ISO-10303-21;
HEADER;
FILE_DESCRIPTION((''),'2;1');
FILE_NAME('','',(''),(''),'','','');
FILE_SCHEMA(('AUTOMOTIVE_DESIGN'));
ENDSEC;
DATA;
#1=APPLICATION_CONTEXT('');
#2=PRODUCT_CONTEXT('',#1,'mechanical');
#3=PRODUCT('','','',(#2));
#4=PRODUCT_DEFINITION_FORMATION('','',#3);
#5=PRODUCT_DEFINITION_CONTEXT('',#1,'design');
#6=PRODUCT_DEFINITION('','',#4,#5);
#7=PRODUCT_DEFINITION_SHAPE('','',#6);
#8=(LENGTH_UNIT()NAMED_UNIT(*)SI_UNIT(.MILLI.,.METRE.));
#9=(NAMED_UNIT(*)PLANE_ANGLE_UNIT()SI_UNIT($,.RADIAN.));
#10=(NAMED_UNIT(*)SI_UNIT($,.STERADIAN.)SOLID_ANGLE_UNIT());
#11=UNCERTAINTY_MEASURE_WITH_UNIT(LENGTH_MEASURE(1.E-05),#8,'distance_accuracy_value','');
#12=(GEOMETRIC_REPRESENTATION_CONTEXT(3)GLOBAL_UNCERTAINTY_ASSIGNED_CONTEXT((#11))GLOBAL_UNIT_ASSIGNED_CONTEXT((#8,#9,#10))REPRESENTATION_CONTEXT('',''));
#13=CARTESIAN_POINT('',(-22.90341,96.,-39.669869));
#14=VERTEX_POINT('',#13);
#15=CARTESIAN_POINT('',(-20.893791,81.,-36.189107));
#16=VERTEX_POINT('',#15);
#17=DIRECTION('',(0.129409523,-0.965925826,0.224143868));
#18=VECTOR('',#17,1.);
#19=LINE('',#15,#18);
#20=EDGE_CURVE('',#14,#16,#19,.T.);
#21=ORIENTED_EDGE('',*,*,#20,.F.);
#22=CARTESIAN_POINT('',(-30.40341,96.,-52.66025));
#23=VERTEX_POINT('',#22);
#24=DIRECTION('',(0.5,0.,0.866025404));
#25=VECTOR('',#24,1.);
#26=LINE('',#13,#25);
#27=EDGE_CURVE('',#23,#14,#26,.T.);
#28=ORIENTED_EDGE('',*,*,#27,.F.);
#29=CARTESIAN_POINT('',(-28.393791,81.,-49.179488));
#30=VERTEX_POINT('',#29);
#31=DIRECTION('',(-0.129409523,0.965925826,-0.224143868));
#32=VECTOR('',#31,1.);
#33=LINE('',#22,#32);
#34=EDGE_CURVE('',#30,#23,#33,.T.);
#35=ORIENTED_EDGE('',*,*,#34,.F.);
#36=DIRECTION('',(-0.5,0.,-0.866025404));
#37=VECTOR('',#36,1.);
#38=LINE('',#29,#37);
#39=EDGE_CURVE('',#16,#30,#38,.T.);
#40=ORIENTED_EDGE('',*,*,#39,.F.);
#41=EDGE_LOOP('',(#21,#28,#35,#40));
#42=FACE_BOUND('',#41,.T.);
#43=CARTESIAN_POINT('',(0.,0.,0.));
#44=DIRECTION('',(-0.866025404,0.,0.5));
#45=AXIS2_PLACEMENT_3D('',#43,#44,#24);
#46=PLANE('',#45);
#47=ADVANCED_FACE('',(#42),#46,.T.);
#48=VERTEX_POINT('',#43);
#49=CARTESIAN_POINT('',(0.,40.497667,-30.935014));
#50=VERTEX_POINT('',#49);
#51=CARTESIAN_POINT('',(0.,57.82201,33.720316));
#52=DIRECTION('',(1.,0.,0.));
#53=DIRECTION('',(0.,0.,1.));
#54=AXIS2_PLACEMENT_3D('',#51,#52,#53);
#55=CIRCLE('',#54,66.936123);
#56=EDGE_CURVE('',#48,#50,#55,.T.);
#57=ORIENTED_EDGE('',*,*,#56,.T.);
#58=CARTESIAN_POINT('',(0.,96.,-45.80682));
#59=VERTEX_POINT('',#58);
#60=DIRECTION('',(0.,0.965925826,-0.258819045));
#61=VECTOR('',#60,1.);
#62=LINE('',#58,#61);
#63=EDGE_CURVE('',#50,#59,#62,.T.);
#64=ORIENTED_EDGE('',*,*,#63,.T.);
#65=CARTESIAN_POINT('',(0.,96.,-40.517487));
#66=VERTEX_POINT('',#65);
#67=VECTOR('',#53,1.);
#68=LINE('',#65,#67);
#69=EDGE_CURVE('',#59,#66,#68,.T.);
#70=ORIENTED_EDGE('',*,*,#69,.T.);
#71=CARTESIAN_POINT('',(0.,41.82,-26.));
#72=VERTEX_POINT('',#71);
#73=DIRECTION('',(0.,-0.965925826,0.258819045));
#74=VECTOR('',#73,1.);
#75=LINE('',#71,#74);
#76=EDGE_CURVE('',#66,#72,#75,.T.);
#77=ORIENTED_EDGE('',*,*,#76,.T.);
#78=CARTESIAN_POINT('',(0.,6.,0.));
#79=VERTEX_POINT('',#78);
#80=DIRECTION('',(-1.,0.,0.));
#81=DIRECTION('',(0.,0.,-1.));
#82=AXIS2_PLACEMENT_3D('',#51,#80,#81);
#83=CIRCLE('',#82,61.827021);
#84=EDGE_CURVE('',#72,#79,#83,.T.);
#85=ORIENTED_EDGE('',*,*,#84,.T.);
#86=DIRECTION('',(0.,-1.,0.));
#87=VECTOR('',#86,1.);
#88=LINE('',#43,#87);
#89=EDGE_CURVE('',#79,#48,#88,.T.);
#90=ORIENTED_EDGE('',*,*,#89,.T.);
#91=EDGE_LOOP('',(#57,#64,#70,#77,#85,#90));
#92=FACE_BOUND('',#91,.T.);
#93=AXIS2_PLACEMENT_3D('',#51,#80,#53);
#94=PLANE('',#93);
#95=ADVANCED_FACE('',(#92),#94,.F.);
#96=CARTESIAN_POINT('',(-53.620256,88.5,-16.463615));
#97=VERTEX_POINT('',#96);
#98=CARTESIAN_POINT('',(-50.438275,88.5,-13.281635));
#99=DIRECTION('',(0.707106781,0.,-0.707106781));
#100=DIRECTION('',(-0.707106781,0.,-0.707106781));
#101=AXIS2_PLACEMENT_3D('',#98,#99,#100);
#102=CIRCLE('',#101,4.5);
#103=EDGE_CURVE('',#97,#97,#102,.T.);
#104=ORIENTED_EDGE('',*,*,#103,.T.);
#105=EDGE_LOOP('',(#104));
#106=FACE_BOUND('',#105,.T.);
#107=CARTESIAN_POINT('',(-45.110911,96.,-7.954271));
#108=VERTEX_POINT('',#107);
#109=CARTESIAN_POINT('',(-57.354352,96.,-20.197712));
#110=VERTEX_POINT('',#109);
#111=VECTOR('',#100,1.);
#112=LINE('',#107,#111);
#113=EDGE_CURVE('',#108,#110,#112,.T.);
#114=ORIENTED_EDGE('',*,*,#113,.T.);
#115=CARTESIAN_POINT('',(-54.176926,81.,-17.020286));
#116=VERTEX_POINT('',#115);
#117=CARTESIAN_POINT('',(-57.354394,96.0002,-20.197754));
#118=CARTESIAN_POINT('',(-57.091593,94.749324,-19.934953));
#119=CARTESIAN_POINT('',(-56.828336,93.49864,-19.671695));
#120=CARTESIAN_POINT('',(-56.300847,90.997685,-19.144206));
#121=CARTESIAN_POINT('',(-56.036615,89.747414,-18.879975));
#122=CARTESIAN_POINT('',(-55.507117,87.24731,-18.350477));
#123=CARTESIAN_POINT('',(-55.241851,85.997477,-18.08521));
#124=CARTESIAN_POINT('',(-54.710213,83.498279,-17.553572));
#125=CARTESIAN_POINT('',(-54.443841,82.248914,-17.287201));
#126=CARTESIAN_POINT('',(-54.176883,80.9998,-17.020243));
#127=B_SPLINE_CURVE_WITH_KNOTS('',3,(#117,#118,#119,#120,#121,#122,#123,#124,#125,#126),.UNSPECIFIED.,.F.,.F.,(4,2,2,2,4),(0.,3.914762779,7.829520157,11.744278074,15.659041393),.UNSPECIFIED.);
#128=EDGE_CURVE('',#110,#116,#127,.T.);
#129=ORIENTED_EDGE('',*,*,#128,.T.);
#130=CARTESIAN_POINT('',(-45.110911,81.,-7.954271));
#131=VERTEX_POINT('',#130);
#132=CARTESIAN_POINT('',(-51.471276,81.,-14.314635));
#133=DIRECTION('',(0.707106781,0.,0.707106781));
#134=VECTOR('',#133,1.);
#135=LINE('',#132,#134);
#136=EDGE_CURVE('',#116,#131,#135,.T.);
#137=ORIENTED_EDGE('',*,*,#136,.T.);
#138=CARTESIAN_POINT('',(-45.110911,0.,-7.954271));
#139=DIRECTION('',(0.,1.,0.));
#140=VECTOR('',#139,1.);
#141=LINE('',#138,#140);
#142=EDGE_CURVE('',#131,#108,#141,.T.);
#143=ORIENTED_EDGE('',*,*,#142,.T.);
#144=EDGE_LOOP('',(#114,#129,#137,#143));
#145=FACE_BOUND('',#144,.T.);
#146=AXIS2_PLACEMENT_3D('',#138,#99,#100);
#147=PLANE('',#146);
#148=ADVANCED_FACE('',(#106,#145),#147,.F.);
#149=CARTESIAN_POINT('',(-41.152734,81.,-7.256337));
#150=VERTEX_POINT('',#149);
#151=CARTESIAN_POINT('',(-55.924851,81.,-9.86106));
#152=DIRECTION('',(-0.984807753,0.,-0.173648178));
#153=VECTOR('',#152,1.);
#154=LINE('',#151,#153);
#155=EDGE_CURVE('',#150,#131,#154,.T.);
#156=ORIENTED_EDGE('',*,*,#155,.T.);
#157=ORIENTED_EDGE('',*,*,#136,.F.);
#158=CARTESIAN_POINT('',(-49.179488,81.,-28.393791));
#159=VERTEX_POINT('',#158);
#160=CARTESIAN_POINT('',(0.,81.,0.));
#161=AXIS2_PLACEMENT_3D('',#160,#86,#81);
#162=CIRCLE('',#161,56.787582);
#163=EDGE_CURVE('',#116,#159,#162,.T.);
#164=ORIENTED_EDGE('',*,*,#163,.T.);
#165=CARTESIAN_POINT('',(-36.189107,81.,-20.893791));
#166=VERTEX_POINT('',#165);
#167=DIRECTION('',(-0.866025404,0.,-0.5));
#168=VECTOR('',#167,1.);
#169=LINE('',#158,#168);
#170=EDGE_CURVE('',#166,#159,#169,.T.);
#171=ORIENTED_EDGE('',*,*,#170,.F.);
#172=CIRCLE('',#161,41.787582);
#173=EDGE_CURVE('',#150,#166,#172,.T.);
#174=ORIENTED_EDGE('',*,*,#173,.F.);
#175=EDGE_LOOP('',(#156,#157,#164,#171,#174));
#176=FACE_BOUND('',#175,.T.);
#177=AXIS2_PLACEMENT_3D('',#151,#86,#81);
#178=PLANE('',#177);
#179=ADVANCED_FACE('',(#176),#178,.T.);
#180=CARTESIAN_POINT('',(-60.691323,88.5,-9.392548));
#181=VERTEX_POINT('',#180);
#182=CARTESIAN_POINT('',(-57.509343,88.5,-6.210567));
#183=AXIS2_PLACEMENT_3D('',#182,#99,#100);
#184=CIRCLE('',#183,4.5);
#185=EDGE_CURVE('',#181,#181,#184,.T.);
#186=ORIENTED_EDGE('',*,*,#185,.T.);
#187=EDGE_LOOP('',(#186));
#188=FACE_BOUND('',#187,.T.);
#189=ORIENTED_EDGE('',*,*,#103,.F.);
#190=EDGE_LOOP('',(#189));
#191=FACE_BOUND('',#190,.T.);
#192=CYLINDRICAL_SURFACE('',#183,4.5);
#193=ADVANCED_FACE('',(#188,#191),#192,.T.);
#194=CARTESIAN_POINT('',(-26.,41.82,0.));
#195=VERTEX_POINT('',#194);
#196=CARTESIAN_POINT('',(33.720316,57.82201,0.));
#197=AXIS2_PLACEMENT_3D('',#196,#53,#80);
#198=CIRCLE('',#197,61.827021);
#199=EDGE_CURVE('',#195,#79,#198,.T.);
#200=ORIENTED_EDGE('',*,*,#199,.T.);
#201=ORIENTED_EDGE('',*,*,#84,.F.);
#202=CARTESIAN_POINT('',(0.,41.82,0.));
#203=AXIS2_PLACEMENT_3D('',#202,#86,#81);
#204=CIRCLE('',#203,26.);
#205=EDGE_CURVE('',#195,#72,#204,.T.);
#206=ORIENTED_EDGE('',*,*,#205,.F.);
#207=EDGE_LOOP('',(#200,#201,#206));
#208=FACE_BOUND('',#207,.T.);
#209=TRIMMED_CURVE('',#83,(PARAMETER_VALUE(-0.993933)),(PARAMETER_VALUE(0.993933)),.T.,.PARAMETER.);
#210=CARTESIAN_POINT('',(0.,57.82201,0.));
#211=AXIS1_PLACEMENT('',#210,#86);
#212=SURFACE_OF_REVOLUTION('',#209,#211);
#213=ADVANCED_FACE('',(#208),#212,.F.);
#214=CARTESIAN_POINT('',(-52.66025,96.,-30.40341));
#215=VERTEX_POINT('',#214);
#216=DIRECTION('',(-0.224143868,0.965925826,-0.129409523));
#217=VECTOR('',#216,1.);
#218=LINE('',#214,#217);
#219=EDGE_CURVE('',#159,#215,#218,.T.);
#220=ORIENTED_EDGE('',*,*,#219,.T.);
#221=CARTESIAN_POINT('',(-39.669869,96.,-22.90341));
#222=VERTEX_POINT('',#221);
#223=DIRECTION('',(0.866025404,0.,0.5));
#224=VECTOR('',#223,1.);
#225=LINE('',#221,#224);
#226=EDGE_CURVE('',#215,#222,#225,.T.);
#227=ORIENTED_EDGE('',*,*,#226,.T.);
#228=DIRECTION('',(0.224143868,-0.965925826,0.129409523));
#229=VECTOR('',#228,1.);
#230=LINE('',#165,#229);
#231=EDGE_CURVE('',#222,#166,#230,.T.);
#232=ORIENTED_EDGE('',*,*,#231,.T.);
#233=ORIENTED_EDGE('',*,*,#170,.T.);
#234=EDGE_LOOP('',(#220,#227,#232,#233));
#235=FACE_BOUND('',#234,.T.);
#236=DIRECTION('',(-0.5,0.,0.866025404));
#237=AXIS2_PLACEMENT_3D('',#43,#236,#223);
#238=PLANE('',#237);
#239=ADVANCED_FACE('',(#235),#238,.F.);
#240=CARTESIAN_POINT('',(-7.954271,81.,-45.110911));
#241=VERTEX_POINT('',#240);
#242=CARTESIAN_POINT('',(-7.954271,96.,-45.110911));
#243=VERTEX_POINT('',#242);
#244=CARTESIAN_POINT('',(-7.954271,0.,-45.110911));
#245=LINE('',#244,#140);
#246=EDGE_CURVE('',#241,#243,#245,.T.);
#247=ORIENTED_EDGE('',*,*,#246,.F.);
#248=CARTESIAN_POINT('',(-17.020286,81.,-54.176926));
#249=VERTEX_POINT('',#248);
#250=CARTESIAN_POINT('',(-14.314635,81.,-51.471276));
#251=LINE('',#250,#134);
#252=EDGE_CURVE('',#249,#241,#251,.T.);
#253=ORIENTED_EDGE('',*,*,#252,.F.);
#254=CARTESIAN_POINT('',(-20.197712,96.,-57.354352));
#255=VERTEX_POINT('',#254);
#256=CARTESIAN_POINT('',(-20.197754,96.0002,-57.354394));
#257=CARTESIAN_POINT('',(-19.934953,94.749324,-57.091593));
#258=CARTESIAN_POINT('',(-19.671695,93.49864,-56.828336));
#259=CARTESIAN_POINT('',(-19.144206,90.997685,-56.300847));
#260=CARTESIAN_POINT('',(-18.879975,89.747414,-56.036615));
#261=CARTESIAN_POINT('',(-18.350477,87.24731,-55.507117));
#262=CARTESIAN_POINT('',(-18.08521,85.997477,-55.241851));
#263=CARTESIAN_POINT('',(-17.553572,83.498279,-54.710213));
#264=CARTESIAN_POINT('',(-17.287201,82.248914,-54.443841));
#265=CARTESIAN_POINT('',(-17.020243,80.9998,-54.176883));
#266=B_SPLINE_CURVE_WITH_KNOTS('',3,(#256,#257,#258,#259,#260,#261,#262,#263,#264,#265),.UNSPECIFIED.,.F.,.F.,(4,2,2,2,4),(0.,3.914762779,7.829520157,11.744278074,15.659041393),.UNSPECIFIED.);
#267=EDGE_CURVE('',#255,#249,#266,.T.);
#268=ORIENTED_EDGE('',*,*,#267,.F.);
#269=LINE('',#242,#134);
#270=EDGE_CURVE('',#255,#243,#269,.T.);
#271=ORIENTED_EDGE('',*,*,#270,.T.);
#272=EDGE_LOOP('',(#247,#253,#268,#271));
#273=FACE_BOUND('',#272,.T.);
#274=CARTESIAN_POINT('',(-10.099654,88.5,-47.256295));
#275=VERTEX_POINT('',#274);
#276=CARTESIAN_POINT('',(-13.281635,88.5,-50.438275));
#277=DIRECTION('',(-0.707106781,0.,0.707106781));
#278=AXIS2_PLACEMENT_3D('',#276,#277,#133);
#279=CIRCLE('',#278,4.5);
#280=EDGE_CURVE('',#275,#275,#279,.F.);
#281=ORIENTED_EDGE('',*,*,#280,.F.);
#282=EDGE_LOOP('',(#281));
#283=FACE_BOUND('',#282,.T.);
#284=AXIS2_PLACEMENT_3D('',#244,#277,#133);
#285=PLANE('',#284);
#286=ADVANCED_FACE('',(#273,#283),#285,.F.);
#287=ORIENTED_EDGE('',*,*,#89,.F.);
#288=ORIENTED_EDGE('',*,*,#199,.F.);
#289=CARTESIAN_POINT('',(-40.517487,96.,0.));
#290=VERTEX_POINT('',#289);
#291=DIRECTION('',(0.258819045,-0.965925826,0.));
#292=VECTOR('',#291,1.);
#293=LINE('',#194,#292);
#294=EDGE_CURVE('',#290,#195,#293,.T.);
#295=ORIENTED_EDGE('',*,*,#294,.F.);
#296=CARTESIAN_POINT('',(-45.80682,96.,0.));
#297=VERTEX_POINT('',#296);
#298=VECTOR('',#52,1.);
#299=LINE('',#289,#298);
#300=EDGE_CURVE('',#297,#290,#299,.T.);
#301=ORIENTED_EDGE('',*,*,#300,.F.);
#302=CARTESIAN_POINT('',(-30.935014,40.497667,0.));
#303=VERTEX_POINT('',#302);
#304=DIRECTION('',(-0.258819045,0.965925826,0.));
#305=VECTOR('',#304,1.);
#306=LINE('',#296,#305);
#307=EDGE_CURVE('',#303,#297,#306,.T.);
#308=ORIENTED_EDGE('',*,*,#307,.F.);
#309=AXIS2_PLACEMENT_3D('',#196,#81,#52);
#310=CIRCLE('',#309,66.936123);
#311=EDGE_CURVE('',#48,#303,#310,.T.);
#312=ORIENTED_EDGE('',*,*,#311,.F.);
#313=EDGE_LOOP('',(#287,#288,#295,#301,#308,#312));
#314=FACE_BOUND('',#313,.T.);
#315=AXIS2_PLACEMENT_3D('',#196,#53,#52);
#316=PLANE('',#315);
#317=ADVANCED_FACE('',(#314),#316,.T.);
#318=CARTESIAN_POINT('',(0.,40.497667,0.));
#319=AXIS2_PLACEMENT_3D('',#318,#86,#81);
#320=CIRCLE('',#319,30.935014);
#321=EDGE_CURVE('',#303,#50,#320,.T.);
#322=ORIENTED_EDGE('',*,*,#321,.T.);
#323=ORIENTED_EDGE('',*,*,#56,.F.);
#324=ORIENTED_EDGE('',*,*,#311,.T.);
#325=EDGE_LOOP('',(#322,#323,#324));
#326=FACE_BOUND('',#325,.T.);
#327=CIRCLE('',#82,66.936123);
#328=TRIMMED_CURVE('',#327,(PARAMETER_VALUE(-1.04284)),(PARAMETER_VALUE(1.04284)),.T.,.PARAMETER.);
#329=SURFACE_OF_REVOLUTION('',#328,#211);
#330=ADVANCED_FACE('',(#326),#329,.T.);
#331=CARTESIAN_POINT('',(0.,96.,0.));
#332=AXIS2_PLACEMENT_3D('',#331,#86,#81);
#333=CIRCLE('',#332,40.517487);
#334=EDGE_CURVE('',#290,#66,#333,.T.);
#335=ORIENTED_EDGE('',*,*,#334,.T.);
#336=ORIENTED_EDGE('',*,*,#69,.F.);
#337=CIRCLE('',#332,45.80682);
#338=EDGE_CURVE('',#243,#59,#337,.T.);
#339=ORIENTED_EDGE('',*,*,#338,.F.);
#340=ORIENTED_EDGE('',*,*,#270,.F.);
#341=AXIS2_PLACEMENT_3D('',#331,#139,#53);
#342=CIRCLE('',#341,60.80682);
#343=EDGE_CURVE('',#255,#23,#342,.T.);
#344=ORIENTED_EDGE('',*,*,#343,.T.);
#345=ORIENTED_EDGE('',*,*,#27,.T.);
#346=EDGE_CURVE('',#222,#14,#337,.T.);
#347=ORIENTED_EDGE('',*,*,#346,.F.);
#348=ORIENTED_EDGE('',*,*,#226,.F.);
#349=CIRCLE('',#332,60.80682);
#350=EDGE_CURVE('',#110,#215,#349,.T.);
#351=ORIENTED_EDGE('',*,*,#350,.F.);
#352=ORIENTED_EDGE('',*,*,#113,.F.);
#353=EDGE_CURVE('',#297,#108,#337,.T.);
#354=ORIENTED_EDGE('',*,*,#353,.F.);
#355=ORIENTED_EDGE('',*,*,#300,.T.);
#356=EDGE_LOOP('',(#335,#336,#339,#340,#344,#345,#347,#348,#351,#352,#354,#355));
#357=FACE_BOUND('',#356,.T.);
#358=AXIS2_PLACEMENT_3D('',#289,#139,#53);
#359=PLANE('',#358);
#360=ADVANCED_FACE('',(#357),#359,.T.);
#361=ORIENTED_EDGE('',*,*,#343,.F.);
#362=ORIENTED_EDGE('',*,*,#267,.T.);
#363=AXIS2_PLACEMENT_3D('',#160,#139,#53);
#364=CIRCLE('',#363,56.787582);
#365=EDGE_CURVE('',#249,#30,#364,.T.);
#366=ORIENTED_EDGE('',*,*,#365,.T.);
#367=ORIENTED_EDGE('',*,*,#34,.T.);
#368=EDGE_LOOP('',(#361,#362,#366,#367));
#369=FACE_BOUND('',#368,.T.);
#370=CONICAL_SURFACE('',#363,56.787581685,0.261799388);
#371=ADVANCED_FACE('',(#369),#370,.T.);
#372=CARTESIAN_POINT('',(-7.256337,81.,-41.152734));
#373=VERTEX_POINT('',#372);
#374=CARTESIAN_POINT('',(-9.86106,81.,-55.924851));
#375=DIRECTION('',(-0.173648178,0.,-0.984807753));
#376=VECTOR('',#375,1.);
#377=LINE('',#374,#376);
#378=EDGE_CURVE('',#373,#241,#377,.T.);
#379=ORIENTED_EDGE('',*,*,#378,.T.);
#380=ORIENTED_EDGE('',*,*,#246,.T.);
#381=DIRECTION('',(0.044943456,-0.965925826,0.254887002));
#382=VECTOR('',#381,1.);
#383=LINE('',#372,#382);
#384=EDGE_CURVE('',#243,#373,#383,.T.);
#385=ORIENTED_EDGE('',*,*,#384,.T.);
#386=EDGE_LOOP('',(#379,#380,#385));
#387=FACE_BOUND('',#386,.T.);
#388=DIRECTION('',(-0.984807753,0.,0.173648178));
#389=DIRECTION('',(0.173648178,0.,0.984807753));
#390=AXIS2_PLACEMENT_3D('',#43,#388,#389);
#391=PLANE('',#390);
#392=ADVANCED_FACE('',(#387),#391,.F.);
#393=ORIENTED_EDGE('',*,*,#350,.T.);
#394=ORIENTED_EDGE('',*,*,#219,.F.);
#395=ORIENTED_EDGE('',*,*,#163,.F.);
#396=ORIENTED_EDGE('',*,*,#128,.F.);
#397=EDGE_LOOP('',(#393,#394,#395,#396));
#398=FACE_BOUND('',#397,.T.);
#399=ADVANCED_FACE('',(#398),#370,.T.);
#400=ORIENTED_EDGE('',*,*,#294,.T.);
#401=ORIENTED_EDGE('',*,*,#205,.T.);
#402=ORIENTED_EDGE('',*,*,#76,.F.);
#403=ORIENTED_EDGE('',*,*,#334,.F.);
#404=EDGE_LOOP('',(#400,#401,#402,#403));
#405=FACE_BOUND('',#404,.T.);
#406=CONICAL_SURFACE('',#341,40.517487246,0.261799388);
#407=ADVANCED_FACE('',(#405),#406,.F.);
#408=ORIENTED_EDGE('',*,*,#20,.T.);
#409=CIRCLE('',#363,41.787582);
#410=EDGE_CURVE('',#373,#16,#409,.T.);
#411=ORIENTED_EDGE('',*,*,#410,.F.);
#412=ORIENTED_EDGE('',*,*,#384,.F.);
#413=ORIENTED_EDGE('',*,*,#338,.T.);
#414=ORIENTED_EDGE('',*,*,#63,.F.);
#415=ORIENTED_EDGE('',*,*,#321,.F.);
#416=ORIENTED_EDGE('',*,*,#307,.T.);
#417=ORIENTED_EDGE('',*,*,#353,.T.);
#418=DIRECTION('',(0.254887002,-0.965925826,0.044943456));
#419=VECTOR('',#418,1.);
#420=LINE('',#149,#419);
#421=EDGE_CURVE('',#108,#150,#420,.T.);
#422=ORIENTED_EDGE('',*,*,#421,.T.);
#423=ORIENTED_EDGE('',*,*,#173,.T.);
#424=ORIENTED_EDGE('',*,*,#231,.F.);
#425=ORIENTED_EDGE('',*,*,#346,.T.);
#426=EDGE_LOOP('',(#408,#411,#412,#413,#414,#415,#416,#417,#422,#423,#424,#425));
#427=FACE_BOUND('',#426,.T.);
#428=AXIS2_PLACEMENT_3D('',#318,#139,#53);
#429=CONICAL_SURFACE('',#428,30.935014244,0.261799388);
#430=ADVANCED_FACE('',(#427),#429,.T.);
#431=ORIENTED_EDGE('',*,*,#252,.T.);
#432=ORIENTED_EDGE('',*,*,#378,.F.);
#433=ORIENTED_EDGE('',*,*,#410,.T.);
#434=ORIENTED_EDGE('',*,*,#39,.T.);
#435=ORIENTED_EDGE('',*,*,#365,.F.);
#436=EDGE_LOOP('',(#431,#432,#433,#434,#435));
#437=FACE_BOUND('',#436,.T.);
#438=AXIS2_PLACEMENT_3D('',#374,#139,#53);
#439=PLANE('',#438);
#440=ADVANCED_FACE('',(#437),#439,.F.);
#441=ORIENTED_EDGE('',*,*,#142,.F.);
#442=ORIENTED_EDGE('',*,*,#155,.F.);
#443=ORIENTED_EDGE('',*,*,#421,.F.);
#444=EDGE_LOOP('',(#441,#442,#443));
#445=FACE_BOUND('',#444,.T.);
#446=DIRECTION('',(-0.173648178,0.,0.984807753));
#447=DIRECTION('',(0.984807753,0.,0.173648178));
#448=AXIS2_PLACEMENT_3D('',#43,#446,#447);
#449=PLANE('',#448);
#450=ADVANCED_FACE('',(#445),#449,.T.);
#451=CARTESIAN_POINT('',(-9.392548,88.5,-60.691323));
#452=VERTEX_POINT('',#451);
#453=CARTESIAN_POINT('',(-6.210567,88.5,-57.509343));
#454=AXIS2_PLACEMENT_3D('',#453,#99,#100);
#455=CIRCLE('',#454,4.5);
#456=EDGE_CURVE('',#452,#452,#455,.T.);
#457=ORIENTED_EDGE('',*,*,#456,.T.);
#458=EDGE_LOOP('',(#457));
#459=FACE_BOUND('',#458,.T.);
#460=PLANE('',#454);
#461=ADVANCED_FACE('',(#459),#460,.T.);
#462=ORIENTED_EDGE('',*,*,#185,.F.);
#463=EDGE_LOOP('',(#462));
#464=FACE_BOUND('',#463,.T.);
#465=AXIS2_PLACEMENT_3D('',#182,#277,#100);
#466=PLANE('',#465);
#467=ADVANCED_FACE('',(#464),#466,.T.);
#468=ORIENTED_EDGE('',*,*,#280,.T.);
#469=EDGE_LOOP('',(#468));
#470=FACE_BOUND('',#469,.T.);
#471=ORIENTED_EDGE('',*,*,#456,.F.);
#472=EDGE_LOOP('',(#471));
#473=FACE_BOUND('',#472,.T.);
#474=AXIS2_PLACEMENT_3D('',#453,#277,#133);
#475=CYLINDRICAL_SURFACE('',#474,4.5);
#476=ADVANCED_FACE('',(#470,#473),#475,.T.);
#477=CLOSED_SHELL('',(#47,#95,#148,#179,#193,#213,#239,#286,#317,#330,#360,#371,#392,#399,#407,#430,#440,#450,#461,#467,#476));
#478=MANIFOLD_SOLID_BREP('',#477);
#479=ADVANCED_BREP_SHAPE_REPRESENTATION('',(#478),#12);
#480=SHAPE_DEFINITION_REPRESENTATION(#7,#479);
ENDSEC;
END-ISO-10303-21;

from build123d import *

# Parameters (mm, degrees)
REVOLUCI_N1_ANGLE       = 90
REVOLUCI_N2_ANGLE       = 20
REVOLUCI_N3_ANGLE       = 20
CORTAR_EXTRUIR1_DEPTH   = 129.015444104
CROQUIS13_R             = 4.5
SALIENTE_EXTRUIR1_DEPTH = 10


with BuildPart() as part:
    # Croquis2 → Revolución1 (revolve)
    with BuildSketch(Plane(origin=(0, 0, 0), x_dir=(0, 0, -1), z_dir=(1, 0, 0))):
        with BuildLine():
            Line((0, 0), (0, 6))
            ThreePointArc((0, 6), (16.315231643, 21.503634207), (26, 41.82))
            Line((26, 41.82), (40.517487246, 96))
            Line((40.517487246, 96), (45.806819571, 96))
            Line((45.806819571, 96), (30.935014244, 40.497666919))
            ThreePointArc((30.935014244, 40.497666919), (19.472326357, 17.189666117), (0, 0))
        make_face()
    revolve(axis=Axis((0, 0, 0), (0, 1, 0)), revolution_arc=REVOLUCI_N1_ANGLE)

    # Croquis10 → Revolución2 (revolve)
    with BuildSketch(Plane(origin=(0, 0, 0), x_dir=(0, 1, 0), z_dir=(0.866025403784438, 0, -0.500000000000001))):
        Polygon((81, -41.787581685), (96, -45.806819571), (96, -60.806819571), (81, -56.787581685), align=None)
    revolve(axis=Axis((0, 0, 0), (0, -1, 0)), revolution_arc=REVOLUCI_N2_ANGLE)

    # Croquis11 → Revolución3 (revolve)
    with BuildSketch(Plane(origin=(0, 0, 0), x_dir=(0, 1, 0), z_dir=(0.499999999999998, 1.4337406519976025e-15, -0.8660254037844398))):
        Polygon((96, -45.806819571), (96, -60.806819571), (81, -56.787581685), (81, -41.787581685), align=None)
    revolve(axis=Axis((0, 0, 0), (0, 1, 0)), revolution_arc=REVOLUCI_N3_ANGLE)

    # Croquis12 → Cortar-Extruir1 (cut, through all)
    with BuildSketch(Plane(origin=(0, 96, 0), x_dir=(1, 0, 0), z_dir=(0, 1, 0))):
        with BuildLine():
            Line((-7.954270743, 45.110911055), (-20.197712047, 57.354352358))
            ThreePointArc((-20.197712047, 57.354352358), (-15.430239205, 58.81646899), (-10.558993408, 59.88302735))
            Line((-10.558993408, 59.88302735), (-7.954270743, 45.110911055))
        make_face()
        with BuildLine():
            Line((-45.110911055, 7.954270743), (-57.354352358, 20.197712047))
            ThreePointArc((-57.354352358, 20.197712047), (-58.81646899, 15.430239205), (-59.88302735, 10.558993408))
            Line((-59.88302735, 10.558993408), (-45.110911055, 7.954270743))
        make_face()
    extrude(amount=-CORTAR_EXTRUIR1_DEPTH, mode=Mode.SUBTRACT)

    # Croquis13 → Saliente-Extruir1 (add)
    with BuildSketch(Plane(origin=(18.578320156, 0, -18.578320156), x_dir=(-0.7071067811865489, 0, -0.7071067811865461), z_dir=(0.7071067811865461, 0, -0.7071067811865489))):
        with Locations(Location((45.056780398, 88.5, 0), (0, 0, 180))):
            Circle(CROQUIS13_R)
    saliente_extruir1 = extrude(amount=SALIENTE_EXTRUIR1_DEPTH)

    # Simetría1: Saliente-Extruir1 across plane
    add(saliente_extruir1.mirror(Plane(origin=(0, 0, 0), x_dir=(0.7071067811865488, 1.170644340293136e-15, 0.7071067811865464), z_dir=(0.7071067811865462, 1.1706443402931319e-15, -0.7071067811865488))))


solid = part.part
